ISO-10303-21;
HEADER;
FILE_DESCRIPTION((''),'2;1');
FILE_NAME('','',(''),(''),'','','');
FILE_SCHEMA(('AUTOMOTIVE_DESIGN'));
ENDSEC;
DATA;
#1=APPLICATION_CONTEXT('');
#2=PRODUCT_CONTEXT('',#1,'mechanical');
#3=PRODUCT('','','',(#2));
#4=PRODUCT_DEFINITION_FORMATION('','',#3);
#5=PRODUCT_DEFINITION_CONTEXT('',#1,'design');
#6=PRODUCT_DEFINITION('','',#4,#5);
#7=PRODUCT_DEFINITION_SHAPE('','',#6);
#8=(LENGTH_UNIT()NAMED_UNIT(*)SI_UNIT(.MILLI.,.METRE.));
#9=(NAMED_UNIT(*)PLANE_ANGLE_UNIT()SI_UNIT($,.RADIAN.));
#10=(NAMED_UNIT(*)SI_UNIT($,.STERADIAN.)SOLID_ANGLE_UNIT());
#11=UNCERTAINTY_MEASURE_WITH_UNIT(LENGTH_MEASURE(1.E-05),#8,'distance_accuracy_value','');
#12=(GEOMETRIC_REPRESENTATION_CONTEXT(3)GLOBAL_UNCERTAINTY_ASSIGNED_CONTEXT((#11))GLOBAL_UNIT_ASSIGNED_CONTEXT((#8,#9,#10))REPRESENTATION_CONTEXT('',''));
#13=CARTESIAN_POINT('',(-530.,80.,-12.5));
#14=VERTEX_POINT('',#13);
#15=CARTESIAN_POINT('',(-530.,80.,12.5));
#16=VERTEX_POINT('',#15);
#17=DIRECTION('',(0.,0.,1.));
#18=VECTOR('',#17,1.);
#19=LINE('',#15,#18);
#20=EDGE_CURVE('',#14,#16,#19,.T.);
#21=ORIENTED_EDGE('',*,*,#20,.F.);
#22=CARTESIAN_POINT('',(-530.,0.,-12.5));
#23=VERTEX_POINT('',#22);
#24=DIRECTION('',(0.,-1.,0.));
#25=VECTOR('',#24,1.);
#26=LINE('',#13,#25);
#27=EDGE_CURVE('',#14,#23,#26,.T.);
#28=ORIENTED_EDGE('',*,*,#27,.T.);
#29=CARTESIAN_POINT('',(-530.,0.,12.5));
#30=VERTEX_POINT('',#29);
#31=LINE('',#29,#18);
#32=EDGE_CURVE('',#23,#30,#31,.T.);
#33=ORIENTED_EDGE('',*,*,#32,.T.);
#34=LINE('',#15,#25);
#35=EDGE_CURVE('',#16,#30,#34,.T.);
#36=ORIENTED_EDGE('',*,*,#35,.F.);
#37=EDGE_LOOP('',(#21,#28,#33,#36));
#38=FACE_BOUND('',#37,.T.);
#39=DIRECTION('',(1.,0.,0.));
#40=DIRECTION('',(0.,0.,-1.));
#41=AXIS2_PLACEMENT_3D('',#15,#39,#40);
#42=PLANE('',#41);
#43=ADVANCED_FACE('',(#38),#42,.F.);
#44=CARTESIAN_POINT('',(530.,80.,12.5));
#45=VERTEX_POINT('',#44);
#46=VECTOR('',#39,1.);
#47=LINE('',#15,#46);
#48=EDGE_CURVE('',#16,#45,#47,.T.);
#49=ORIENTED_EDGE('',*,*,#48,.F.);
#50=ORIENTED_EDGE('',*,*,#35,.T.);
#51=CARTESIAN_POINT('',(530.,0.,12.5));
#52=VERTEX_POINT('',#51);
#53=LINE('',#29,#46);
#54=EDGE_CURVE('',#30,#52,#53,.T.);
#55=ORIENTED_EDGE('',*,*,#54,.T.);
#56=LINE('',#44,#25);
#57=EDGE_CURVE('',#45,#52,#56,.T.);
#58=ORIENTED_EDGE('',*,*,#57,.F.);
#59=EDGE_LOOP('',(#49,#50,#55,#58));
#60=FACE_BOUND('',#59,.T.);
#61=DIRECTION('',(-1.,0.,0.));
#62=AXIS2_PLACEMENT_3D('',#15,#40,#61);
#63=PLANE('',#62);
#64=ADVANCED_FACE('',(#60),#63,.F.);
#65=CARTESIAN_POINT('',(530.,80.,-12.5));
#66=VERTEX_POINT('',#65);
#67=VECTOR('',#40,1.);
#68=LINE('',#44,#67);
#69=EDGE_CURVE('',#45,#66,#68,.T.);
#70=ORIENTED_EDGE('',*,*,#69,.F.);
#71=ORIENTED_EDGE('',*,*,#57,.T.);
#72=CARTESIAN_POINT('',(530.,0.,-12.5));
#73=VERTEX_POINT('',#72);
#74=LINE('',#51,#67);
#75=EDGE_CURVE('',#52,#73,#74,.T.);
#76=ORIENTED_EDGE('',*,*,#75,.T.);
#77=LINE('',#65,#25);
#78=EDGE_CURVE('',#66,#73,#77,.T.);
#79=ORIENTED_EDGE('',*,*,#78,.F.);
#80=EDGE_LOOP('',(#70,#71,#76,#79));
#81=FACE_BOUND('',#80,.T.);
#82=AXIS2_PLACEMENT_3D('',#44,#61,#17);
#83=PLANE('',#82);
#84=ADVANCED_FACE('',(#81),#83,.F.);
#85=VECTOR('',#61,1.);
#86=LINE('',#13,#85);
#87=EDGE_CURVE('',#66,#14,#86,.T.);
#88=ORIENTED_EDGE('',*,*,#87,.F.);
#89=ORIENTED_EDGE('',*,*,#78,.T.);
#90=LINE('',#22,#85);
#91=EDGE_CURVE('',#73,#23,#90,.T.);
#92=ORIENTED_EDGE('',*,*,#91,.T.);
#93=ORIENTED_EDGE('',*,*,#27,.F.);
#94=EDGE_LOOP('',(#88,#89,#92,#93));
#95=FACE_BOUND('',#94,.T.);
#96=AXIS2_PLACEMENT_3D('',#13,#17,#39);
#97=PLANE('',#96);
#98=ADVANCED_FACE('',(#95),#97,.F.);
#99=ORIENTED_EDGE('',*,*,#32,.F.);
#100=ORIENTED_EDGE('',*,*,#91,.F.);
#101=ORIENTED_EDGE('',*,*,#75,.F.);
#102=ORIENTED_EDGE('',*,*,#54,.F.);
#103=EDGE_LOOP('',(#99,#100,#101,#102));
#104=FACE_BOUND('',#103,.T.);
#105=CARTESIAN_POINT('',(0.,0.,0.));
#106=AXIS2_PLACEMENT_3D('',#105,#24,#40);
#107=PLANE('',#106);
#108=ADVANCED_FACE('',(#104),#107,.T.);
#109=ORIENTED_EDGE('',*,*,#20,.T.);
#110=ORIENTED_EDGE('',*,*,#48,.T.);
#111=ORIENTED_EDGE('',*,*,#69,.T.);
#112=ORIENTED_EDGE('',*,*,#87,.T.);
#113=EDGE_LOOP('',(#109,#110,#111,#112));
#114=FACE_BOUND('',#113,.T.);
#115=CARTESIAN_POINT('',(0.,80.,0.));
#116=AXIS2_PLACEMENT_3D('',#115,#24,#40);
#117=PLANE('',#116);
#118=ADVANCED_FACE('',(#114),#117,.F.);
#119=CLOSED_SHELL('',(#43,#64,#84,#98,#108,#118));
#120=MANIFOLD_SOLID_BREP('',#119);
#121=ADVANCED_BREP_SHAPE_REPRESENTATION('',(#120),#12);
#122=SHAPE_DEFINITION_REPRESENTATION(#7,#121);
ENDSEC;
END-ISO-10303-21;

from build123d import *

# Parameters (mm, degrees)
CROQUIS_FALDON_W   = 1060
CROQUIS_FALDON_H   = 25
FALDON_LARGO_DEPTH = 80


with BuildPart() as part:
    # Croquis_faldon → Faldon_largo (new body)
    with BuildSketch(Plane(origin=(0, 0, 0), x_dir=(1, 0, 0), z_dir=(0, 1, 0))):
        Rectangle(CROQUIS_FALDON_W, CROQUIS_FALDON_H)
    extrude(amount=FALDON_LARGO_DEPTH)


solid = part.part
